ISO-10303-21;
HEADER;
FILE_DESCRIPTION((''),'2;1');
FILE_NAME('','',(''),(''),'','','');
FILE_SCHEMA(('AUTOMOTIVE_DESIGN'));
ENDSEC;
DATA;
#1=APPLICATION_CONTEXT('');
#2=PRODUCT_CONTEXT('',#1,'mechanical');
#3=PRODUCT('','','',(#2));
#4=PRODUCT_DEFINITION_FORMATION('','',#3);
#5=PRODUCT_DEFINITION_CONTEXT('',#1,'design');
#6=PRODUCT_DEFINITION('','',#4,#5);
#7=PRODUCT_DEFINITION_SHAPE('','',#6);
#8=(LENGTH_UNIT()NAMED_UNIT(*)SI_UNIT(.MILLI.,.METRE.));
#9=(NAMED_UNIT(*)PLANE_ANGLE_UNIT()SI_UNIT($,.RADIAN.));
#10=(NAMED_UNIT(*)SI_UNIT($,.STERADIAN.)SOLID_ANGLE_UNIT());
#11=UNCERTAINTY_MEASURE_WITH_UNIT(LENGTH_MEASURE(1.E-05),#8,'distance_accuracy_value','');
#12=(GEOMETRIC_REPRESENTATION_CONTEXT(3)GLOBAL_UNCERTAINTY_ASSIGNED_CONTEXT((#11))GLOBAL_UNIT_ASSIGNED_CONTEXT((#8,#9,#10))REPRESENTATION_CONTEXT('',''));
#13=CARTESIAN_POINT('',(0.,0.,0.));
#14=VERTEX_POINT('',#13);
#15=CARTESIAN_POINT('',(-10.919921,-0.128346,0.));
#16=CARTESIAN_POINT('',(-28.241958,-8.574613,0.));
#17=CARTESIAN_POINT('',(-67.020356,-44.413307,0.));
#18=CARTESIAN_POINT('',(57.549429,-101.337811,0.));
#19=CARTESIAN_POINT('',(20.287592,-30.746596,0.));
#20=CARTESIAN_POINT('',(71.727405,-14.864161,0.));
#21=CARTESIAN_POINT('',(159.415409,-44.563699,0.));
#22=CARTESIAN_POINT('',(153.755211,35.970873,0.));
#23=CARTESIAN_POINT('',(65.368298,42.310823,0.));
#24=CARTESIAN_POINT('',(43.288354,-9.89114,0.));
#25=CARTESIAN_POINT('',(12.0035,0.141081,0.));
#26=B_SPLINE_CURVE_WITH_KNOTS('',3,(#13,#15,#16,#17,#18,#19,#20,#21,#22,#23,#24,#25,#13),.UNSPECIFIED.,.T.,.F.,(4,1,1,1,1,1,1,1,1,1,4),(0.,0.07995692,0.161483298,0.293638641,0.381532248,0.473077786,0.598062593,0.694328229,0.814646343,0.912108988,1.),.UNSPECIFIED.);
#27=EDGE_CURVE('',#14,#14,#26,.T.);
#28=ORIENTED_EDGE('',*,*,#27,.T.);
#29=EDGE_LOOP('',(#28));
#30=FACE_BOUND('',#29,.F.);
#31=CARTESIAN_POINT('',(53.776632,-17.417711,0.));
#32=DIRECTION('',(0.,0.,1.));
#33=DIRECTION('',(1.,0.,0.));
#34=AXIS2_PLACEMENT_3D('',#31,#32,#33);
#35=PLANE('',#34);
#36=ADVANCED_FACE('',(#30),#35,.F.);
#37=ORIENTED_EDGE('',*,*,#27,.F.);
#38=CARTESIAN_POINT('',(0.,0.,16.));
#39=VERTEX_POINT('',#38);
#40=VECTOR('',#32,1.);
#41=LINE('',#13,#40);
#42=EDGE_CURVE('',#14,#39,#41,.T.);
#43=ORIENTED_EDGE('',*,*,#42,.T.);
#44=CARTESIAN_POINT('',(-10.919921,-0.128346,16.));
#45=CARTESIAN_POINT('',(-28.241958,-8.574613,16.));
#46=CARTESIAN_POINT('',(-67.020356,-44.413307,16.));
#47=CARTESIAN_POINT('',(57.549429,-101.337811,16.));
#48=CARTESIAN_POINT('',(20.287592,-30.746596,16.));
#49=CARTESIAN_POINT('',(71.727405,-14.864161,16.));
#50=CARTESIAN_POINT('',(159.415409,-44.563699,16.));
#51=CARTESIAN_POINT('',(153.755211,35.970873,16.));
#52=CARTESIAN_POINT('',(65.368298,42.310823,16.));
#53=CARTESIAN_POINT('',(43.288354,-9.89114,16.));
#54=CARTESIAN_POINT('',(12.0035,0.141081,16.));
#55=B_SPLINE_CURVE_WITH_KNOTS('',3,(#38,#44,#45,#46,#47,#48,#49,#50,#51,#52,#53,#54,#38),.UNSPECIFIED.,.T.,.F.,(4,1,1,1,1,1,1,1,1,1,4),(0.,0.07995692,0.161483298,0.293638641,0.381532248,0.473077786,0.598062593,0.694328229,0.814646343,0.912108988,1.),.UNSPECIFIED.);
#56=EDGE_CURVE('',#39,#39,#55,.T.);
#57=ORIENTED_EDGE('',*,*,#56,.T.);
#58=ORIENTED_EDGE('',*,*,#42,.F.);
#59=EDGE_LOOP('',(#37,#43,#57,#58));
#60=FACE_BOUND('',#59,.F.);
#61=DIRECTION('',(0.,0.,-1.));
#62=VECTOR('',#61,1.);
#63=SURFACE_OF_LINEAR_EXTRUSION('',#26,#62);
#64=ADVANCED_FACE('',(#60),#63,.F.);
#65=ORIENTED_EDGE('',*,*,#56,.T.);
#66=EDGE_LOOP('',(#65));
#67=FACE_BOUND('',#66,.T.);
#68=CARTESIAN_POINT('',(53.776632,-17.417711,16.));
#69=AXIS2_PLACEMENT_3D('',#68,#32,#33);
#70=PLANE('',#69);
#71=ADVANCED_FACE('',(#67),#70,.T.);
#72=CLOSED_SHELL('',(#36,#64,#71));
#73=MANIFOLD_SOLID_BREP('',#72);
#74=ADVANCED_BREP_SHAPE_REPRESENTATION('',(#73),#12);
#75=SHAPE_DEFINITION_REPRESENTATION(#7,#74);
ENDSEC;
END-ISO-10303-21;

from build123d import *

# Parameters (mm, degrees)
F1_DEPTH = 16


with BuildPart() as f1:
    # F0 (on Top) → F1 (new body)
    with BuildSketch(Plane.XY):
        with BuildLine():
            add(Edge.make_bspline(
                [(0, 0), (-10.9199206203, -0.128345646), (-28.2419581895, -8.5746128233), (-67.0203563266, -44.4133069075), (57.5494287427, -101.337811353), (20.2875916733, -30.7465962075), (71.7274053556, -14.8641606357), (159.4154091524, -44.5636985292), (153.7552107632, 35.9708732669), (65.3682979715, 42.3108232461), (43.2883540067, -9.891140313), (12.0034997496, 0.1410813304), (0, 0)],
                knots=[0, 0, 0, 0, 0.07995692, 0.1614832977, 0.2936386406, 0.381532248, 0.4730777864, 0.598062593, 0.6943282291, 0.8146463428, 0.9121089885, 1, 1, 1, 1], degree=3))
        make_face()
    extrude(amount=F1_DEPTH)


solid = f1.part
